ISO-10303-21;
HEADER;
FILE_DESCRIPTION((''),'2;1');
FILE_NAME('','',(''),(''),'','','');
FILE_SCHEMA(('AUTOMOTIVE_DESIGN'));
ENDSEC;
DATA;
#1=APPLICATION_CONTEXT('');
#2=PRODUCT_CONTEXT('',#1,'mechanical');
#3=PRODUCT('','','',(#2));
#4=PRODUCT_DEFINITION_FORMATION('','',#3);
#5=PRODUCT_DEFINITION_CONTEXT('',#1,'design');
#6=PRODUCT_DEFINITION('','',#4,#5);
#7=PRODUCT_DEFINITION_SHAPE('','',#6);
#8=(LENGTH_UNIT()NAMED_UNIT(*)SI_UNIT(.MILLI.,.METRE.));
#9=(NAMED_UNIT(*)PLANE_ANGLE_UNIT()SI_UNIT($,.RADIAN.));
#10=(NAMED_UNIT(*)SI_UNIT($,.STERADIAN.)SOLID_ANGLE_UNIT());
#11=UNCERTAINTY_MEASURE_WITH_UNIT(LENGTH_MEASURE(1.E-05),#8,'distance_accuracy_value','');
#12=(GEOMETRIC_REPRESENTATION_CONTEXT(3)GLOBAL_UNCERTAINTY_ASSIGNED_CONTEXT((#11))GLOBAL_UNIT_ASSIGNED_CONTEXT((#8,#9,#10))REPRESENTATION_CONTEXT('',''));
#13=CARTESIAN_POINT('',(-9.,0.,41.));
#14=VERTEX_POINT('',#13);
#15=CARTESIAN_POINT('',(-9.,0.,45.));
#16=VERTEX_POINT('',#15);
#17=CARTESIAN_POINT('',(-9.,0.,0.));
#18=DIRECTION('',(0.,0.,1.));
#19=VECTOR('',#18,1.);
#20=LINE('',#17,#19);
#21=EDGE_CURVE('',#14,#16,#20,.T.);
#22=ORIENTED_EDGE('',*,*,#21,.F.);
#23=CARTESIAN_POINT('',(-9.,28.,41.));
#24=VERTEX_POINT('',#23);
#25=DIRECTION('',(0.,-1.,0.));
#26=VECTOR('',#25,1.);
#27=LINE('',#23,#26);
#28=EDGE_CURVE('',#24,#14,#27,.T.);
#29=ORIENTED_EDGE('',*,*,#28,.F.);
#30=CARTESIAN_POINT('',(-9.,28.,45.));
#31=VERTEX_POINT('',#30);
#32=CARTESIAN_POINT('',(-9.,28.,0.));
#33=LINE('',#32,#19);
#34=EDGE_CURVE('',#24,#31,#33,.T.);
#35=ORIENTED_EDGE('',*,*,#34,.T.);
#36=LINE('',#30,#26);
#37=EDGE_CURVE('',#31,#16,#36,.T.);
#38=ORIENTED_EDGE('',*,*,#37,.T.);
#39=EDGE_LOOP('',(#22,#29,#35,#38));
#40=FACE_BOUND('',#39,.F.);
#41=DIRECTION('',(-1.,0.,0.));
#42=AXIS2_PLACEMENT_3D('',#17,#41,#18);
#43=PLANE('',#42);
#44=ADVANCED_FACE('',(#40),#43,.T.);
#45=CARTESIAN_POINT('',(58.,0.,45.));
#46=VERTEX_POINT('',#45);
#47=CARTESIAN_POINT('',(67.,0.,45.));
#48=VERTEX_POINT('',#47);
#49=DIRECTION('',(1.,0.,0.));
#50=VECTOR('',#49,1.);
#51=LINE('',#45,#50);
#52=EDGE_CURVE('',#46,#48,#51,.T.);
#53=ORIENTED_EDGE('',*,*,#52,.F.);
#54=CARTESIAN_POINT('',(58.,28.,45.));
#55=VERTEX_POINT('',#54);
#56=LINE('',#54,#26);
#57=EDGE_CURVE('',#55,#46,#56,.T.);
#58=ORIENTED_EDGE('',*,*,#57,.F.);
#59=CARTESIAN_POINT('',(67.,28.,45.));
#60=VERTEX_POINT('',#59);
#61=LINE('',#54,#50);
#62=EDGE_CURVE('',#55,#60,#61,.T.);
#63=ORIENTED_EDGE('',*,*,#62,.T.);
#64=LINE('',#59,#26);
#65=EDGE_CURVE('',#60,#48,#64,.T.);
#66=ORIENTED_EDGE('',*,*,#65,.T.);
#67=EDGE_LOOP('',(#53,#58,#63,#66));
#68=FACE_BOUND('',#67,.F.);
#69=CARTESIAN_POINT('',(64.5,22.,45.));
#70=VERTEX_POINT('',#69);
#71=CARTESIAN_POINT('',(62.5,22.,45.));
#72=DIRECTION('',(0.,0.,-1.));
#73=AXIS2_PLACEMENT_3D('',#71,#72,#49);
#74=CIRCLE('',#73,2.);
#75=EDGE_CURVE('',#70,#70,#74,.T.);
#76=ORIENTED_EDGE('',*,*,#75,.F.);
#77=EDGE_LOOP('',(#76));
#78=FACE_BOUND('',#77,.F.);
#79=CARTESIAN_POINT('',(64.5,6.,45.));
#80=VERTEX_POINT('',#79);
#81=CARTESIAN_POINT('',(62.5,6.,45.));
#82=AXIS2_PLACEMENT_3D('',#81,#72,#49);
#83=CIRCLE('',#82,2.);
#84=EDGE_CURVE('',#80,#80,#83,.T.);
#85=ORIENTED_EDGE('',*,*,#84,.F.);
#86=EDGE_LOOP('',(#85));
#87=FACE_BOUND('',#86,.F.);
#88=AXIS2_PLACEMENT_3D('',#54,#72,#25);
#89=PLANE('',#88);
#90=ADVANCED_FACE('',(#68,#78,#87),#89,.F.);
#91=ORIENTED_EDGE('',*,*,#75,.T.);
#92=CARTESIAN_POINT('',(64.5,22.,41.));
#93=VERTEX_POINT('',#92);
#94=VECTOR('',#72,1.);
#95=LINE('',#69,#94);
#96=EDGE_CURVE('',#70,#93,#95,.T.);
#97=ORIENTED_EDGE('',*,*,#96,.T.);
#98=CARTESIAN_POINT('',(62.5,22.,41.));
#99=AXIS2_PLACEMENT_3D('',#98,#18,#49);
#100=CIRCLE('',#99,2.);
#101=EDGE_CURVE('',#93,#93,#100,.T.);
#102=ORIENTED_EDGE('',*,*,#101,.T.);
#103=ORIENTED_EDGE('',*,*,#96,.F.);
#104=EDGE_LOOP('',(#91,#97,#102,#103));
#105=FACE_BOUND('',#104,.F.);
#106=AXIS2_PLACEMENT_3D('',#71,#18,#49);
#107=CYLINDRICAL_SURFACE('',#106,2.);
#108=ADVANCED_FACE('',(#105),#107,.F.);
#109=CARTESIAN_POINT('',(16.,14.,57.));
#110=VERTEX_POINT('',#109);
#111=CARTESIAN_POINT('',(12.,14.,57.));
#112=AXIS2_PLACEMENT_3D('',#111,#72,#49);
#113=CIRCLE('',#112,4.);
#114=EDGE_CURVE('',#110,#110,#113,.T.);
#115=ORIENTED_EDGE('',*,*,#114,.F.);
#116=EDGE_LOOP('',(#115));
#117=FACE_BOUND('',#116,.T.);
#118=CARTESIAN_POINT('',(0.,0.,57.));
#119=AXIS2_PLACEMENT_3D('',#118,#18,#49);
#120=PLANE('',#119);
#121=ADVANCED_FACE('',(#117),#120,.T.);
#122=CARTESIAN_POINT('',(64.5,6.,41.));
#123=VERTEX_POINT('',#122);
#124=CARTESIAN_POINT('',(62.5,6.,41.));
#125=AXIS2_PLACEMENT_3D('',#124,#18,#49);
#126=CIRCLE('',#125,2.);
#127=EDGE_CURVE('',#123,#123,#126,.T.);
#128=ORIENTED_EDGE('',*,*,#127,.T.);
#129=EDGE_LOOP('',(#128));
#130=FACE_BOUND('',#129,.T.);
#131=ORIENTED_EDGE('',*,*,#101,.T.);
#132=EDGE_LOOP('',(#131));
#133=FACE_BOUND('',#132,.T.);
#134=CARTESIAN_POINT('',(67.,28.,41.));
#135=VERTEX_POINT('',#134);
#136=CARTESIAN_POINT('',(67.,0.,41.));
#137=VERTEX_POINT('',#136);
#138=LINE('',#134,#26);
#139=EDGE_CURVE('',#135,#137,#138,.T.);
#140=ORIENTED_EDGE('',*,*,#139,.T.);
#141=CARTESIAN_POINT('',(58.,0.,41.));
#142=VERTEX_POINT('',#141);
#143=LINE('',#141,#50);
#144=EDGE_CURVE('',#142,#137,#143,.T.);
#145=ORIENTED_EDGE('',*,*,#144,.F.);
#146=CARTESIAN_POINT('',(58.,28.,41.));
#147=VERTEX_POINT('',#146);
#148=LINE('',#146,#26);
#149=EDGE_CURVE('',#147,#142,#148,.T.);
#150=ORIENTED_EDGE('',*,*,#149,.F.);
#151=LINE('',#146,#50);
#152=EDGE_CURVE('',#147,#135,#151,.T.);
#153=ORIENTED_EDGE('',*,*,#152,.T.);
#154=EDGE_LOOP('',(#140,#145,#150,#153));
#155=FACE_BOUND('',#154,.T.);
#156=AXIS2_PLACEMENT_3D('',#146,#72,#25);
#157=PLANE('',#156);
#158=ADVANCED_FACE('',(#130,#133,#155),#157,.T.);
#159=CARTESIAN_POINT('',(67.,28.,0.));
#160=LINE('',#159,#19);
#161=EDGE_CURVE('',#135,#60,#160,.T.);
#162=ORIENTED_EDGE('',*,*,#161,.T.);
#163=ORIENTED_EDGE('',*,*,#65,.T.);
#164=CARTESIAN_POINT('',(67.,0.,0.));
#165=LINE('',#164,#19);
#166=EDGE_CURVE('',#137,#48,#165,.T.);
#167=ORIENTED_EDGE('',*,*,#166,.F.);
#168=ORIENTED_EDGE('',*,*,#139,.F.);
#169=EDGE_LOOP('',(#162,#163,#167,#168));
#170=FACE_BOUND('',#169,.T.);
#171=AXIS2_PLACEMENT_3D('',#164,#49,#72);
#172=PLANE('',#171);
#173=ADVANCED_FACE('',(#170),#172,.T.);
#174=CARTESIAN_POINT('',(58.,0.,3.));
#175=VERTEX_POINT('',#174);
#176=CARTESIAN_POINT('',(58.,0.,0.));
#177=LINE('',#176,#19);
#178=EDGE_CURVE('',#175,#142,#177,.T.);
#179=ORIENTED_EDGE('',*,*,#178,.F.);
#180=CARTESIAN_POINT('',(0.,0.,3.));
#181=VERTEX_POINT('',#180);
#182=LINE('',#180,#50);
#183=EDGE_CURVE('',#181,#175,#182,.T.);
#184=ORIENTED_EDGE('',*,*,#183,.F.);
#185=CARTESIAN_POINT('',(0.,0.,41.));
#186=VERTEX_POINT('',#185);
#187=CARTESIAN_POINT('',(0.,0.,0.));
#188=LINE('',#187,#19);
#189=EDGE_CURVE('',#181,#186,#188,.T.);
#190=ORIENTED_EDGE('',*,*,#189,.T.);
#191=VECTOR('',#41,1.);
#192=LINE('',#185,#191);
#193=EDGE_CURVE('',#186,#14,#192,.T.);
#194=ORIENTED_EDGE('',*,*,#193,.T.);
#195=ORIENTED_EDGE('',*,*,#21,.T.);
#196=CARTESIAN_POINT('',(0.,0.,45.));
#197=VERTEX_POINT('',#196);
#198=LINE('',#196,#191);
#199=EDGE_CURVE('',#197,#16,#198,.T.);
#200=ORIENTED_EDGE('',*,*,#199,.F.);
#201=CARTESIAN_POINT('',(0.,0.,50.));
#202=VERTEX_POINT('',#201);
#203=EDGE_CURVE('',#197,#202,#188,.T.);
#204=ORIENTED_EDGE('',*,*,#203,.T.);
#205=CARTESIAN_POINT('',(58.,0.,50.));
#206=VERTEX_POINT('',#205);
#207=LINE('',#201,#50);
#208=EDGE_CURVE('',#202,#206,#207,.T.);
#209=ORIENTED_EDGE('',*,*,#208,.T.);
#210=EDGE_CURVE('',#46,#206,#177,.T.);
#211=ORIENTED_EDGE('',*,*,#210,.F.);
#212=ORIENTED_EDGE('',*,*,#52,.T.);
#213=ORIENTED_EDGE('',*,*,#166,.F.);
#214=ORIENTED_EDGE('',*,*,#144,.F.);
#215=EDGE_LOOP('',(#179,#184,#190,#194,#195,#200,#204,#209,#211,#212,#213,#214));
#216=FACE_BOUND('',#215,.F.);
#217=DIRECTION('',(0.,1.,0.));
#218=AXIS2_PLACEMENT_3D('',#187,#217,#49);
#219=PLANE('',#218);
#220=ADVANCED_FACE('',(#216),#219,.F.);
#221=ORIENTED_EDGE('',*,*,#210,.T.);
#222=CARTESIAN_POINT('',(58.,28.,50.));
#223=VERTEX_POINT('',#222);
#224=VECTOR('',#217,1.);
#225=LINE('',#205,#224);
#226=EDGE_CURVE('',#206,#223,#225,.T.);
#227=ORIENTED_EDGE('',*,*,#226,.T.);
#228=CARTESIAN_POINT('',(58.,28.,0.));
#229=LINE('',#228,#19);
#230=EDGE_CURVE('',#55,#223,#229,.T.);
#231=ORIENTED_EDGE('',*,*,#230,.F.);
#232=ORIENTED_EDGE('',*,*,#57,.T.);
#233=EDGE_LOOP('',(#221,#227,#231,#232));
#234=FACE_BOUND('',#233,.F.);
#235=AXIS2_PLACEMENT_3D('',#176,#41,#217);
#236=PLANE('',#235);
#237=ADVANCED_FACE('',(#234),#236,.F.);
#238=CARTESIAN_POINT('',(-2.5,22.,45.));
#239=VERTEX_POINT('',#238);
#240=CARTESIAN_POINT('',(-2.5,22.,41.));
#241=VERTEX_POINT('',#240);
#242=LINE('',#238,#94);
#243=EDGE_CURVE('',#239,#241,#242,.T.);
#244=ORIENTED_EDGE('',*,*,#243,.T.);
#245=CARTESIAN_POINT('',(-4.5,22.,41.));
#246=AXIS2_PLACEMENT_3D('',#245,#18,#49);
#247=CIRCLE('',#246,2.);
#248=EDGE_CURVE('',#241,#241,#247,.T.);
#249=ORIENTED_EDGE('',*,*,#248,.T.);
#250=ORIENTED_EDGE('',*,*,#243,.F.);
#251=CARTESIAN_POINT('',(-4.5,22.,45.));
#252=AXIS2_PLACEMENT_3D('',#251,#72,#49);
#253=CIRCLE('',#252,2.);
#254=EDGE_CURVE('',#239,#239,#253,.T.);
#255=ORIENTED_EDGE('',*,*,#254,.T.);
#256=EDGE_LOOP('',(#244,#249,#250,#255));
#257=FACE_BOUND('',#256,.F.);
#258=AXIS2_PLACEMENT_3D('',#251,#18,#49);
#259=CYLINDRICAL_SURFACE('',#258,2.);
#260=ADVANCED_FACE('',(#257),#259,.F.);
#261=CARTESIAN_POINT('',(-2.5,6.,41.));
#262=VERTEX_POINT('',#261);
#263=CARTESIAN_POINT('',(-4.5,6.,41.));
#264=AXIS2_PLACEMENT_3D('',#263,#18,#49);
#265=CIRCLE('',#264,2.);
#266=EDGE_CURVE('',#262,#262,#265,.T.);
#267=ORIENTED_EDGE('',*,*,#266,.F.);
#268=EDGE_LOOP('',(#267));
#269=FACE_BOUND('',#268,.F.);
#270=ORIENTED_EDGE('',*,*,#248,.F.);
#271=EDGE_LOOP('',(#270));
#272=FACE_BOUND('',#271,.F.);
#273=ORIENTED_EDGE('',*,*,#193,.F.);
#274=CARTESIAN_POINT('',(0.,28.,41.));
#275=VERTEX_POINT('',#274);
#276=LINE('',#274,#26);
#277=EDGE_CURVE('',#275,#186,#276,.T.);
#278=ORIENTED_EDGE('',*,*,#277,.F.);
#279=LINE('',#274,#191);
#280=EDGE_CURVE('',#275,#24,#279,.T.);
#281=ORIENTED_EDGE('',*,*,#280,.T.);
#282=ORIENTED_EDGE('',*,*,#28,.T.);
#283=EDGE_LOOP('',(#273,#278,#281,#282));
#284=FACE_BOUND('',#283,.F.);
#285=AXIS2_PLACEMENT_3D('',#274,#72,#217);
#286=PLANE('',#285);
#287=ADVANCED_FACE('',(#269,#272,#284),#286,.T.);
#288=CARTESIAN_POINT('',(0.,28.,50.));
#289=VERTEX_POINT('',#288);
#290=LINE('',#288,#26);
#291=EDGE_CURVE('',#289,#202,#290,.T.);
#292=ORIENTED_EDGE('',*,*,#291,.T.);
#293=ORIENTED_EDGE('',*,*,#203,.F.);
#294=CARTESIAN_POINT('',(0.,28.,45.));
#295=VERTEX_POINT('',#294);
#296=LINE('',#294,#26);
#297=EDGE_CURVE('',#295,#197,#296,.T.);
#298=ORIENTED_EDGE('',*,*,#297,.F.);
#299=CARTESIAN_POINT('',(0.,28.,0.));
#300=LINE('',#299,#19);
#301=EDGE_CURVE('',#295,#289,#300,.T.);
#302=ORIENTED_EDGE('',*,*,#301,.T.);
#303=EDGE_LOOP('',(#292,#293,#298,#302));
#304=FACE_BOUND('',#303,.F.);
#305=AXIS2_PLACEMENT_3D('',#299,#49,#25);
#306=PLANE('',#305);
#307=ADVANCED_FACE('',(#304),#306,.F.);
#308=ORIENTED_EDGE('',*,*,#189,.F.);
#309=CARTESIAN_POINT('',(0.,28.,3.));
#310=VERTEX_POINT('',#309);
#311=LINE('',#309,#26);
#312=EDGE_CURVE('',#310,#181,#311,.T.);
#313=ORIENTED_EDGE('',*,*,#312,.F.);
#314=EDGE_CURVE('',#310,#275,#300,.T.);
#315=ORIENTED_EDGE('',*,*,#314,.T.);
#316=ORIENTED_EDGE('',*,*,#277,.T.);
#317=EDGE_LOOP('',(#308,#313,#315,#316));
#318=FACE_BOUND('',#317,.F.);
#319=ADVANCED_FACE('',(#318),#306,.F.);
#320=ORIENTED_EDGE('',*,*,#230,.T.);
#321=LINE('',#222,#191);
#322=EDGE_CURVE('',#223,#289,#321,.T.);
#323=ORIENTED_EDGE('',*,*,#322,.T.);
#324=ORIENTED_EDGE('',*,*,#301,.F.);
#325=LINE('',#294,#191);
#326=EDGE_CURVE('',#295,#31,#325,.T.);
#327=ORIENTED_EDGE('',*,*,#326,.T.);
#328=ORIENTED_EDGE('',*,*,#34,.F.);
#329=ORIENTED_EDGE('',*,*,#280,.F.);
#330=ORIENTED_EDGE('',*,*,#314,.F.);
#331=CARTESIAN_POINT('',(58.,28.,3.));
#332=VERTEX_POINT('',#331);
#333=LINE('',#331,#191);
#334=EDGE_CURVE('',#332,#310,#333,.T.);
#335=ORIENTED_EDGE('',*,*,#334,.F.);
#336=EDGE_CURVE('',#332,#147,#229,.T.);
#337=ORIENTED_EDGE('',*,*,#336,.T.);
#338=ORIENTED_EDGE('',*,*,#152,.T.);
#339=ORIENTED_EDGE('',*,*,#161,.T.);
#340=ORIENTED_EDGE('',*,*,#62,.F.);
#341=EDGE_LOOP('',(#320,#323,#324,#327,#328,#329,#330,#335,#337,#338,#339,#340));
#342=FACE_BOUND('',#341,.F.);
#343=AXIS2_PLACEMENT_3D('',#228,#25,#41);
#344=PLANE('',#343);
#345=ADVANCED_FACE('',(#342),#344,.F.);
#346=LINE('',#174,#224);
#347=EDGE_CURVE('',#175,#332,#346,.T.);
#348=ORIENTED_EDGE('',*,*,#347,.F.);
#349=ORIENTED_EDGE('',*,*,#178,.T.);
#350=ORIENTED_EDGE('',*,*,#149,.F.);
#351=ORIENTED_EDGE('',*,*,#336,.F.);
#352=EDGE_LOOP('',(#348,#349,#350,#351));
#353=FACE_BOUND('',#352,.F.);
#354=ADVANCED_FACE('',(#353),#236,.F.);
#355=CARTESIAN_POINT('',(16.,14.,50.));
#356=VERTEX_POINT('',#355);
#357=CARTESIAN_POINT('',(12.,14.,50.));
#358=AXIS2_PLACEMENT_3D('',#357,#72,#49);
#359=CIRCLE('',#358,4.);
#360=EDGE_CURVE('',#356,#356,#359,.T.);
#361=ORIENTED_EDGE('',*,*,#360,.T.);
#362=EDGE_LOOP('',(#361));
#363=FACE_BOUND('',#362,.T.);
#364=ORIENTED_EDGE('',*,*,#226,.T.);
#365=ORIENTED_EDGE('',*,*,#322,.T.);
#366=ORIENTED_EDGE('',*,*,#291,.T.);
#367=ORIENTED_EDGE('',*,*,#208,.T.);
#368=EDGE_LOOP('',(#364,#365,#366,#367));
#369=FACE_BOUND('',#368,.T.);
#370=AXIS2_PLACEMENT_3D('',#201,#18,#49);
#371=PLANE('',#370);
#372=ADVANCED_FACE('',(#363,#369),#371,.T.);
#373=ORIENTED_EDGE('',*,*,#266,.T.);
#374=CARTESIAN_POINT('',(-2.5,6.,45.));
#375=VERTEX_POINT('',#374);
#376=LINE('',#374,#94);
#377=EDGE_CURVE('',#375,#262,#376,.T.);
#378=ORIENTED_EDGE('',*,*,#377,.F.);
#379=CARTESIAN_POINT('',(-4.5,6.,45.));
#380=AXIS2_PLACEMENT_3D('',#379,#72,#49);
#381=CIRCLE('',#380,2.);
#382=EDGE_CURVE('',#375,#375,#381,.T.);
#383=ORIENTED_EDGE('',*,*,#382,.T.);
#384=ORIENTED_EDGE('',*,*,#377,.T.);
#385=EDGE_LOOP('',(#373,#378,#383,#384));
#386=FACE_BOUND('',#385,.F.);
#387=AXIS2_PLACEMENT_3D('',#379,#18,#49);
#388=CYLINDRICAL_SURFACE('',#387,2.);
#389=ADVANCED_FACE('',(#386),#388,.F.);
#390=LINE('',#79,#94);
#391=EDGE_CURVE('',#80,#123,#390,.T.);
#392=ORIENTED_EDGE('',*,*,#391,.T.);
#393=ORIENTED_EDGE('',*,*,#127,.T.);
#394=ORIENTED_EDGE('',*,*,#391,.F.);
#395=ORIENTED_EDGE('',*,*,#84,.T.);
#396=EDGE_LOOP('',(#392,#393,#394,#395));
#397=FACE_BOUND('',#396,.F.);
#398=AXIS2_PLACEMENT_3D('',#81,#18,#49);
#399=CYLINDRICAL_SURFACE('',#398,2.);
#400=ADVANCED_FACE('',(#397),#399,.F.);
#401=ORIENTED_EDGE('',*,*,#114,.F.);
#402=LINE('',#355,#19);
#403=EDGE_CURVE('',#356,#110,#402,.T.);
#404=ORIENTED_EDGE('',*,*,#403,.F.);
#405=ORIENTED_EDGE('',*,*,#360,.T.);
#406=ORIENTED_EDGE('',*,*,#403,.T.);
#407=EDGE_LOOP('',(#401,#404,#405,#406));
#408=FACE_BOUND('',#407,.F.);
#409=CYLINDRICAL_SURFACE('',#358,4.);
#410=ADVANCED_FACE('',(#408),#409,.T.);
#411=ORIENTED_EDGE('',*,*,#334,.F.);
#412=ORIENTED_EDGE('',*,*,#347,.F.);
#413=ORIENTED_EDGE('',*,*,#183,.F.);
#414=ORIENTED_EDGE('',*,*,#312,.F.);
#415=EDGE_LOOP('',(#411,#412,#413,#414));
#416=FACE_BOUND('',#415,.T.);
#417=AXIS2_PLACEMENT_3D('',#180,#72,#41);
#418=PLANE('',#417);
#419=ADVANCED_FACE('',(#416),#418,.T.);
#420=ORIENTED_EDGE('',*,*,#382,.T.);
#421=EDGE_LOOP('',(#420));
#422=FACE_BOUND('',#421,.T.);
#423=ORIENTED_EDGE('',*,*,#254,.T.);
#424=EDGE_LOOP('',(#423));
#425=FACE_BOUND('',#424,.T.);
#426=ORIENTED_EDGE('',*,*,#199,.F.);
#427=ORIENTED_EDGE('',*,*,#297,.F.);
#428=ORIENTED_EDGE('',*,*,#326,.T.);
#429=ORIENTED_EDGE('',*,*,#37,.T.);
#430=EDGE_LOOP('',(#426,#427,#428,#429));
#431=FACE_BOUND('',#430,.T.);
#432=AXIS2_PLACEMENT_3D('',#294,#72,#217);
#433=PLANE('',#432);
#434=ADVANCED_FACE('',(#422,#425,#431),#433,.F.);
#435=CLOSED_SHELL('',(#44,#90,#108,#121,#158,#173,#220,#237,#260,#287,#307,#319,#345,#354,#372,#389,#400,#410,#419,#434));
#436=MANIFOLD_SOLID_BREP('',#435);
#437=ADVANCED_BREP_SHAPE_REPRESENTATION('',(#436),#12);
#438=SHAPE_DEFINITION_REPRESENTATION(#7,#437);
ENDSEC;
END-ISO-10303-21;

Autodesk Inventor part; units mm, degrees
ref_plane "YZ Plane" through (0, 0, 0) normal (1, 0, 0) x (0, 1, 0)
ref_plane "XZ Plane" through (0, 0, 0) normal (0, 1, 0) x (-1, 0, 0)
sketch "Sketch1" plane through (0, 0, 0) normal (0, 0, 1) x (1, 0, 0)
  line L0 (0, 0) -> (58, 0)
  line L1 (58, 0) -> (58, 28)
  line L2 (58, 28) -> (0, 28)
  line L3 (0, 28) -> (0, 0)
  dimension "d0" = 58
  dimension "d1" = 28
extrude "Extrusion1" add sketch "Sketch1" along normal blind 50
sketch "Sketch2" plane through (58, 0, 0) normal (1, 0, 0) x (0, 0, -1)
  line L0 (0, 28) -> (-50, 28) projected
  line L1 (0, 0) -> (-50, 0) projected
  line L2 (-50, 28) -> (-45, 28)
  line L3 (-45, 28) -> (-45, 0)
  line L4 (-45, 28) -> (-41, 28)
  line L5 (-41, 28) -> (-41, 0)
  line L6 (-41, 0) -> (-45, 0)
  line L7 (-45, 0) -> (-45, 28)
  dimension "d4" = 5
  dimension "d5" = 4
extrude "Extrusion2" add sketch "Sketch2" along normal blind 9
ref_plane "Work Plane1" through (29, 0, 0) normal (-1, 0, 0) x (0, 0, 1)
mirror "Mirror1" about plane through (29, 0, 0) normal (-1, 0, 0) of "Extrusion2"
sketch "Sketch3" plane through (-9, 28, 45) normal (0, 0, 1) x (1, 0, 0)
  line L0 (9, 0) -> (0, 0) projected
  line L1 (4.5, 0) -> (4.5, -6)
  line L2 (9, -28) -> (0, -28) projected
  line L3 (4.5, -6) -> (4.5, -22)
  circle A0 centre (4.5, -6) radius 2
  circle A1 centre (4.5, -22) radius 2
  dimension "d8" = 6
  dimension "d9" = 16
  dimension "d10" = 4
  dimension "d11" = 4
extrude "Extrusion3" cut sketch "Sketch3" against normal blind 9
sketch "Sketch4" plane through (58, 0, 45) normal (0, 0, 1) x (1, 0, 0)
  circle A0 centre (-62.5, 22) radius 2 projected
  line L0 (-62.5, 22) -> (4.5, 22)
  line L1 (4.5, 22) -> (4.5, 6)
  circle A1 centre (4.5, 22) radius 2
  circle A2 centre (4.5, 6) radius 2
  point P0 (-58, 0)
  dimension "d14" = 16
  dimension "d15" = 4
  dimension "d16" = 4
extrude "Extrusion4" cut sketch "Sketch4" against normal blind 9 contours A2 | A1 L1 L0 | L0 L1 A1
sketch "Sketch5" plane through (0, 0, 50) normal (0, 0, 1) x (1, 0, 0)
  line L0 (0, 28) -> (0, 0) projected
  line L1 (0, 14) -> (12, 14)
  circle A0 centre (12, 14) radius 4
  dimension "d19" = 12
  dimension "d20" = 8
extrude "Extrusion5" add sketch "Sketch5" along normal blind 7
sketch "Sketch6" plane through (0, 0, 0) normal (0, 0, -1) x (-1, 0, 0)
  line L0 (0, 0) -> (-58, 0) projected
  line L1 (0, 28) -> (0, 0) projected
  line L2 (-58, 28) -> (0, 28) projected
  line L3 (-58, 0) -> (-58, 28) projected
extrude "Extrusion6" cut sketch "Sketch6" against normal blind 3
properties part number "Shoulder Servo"
